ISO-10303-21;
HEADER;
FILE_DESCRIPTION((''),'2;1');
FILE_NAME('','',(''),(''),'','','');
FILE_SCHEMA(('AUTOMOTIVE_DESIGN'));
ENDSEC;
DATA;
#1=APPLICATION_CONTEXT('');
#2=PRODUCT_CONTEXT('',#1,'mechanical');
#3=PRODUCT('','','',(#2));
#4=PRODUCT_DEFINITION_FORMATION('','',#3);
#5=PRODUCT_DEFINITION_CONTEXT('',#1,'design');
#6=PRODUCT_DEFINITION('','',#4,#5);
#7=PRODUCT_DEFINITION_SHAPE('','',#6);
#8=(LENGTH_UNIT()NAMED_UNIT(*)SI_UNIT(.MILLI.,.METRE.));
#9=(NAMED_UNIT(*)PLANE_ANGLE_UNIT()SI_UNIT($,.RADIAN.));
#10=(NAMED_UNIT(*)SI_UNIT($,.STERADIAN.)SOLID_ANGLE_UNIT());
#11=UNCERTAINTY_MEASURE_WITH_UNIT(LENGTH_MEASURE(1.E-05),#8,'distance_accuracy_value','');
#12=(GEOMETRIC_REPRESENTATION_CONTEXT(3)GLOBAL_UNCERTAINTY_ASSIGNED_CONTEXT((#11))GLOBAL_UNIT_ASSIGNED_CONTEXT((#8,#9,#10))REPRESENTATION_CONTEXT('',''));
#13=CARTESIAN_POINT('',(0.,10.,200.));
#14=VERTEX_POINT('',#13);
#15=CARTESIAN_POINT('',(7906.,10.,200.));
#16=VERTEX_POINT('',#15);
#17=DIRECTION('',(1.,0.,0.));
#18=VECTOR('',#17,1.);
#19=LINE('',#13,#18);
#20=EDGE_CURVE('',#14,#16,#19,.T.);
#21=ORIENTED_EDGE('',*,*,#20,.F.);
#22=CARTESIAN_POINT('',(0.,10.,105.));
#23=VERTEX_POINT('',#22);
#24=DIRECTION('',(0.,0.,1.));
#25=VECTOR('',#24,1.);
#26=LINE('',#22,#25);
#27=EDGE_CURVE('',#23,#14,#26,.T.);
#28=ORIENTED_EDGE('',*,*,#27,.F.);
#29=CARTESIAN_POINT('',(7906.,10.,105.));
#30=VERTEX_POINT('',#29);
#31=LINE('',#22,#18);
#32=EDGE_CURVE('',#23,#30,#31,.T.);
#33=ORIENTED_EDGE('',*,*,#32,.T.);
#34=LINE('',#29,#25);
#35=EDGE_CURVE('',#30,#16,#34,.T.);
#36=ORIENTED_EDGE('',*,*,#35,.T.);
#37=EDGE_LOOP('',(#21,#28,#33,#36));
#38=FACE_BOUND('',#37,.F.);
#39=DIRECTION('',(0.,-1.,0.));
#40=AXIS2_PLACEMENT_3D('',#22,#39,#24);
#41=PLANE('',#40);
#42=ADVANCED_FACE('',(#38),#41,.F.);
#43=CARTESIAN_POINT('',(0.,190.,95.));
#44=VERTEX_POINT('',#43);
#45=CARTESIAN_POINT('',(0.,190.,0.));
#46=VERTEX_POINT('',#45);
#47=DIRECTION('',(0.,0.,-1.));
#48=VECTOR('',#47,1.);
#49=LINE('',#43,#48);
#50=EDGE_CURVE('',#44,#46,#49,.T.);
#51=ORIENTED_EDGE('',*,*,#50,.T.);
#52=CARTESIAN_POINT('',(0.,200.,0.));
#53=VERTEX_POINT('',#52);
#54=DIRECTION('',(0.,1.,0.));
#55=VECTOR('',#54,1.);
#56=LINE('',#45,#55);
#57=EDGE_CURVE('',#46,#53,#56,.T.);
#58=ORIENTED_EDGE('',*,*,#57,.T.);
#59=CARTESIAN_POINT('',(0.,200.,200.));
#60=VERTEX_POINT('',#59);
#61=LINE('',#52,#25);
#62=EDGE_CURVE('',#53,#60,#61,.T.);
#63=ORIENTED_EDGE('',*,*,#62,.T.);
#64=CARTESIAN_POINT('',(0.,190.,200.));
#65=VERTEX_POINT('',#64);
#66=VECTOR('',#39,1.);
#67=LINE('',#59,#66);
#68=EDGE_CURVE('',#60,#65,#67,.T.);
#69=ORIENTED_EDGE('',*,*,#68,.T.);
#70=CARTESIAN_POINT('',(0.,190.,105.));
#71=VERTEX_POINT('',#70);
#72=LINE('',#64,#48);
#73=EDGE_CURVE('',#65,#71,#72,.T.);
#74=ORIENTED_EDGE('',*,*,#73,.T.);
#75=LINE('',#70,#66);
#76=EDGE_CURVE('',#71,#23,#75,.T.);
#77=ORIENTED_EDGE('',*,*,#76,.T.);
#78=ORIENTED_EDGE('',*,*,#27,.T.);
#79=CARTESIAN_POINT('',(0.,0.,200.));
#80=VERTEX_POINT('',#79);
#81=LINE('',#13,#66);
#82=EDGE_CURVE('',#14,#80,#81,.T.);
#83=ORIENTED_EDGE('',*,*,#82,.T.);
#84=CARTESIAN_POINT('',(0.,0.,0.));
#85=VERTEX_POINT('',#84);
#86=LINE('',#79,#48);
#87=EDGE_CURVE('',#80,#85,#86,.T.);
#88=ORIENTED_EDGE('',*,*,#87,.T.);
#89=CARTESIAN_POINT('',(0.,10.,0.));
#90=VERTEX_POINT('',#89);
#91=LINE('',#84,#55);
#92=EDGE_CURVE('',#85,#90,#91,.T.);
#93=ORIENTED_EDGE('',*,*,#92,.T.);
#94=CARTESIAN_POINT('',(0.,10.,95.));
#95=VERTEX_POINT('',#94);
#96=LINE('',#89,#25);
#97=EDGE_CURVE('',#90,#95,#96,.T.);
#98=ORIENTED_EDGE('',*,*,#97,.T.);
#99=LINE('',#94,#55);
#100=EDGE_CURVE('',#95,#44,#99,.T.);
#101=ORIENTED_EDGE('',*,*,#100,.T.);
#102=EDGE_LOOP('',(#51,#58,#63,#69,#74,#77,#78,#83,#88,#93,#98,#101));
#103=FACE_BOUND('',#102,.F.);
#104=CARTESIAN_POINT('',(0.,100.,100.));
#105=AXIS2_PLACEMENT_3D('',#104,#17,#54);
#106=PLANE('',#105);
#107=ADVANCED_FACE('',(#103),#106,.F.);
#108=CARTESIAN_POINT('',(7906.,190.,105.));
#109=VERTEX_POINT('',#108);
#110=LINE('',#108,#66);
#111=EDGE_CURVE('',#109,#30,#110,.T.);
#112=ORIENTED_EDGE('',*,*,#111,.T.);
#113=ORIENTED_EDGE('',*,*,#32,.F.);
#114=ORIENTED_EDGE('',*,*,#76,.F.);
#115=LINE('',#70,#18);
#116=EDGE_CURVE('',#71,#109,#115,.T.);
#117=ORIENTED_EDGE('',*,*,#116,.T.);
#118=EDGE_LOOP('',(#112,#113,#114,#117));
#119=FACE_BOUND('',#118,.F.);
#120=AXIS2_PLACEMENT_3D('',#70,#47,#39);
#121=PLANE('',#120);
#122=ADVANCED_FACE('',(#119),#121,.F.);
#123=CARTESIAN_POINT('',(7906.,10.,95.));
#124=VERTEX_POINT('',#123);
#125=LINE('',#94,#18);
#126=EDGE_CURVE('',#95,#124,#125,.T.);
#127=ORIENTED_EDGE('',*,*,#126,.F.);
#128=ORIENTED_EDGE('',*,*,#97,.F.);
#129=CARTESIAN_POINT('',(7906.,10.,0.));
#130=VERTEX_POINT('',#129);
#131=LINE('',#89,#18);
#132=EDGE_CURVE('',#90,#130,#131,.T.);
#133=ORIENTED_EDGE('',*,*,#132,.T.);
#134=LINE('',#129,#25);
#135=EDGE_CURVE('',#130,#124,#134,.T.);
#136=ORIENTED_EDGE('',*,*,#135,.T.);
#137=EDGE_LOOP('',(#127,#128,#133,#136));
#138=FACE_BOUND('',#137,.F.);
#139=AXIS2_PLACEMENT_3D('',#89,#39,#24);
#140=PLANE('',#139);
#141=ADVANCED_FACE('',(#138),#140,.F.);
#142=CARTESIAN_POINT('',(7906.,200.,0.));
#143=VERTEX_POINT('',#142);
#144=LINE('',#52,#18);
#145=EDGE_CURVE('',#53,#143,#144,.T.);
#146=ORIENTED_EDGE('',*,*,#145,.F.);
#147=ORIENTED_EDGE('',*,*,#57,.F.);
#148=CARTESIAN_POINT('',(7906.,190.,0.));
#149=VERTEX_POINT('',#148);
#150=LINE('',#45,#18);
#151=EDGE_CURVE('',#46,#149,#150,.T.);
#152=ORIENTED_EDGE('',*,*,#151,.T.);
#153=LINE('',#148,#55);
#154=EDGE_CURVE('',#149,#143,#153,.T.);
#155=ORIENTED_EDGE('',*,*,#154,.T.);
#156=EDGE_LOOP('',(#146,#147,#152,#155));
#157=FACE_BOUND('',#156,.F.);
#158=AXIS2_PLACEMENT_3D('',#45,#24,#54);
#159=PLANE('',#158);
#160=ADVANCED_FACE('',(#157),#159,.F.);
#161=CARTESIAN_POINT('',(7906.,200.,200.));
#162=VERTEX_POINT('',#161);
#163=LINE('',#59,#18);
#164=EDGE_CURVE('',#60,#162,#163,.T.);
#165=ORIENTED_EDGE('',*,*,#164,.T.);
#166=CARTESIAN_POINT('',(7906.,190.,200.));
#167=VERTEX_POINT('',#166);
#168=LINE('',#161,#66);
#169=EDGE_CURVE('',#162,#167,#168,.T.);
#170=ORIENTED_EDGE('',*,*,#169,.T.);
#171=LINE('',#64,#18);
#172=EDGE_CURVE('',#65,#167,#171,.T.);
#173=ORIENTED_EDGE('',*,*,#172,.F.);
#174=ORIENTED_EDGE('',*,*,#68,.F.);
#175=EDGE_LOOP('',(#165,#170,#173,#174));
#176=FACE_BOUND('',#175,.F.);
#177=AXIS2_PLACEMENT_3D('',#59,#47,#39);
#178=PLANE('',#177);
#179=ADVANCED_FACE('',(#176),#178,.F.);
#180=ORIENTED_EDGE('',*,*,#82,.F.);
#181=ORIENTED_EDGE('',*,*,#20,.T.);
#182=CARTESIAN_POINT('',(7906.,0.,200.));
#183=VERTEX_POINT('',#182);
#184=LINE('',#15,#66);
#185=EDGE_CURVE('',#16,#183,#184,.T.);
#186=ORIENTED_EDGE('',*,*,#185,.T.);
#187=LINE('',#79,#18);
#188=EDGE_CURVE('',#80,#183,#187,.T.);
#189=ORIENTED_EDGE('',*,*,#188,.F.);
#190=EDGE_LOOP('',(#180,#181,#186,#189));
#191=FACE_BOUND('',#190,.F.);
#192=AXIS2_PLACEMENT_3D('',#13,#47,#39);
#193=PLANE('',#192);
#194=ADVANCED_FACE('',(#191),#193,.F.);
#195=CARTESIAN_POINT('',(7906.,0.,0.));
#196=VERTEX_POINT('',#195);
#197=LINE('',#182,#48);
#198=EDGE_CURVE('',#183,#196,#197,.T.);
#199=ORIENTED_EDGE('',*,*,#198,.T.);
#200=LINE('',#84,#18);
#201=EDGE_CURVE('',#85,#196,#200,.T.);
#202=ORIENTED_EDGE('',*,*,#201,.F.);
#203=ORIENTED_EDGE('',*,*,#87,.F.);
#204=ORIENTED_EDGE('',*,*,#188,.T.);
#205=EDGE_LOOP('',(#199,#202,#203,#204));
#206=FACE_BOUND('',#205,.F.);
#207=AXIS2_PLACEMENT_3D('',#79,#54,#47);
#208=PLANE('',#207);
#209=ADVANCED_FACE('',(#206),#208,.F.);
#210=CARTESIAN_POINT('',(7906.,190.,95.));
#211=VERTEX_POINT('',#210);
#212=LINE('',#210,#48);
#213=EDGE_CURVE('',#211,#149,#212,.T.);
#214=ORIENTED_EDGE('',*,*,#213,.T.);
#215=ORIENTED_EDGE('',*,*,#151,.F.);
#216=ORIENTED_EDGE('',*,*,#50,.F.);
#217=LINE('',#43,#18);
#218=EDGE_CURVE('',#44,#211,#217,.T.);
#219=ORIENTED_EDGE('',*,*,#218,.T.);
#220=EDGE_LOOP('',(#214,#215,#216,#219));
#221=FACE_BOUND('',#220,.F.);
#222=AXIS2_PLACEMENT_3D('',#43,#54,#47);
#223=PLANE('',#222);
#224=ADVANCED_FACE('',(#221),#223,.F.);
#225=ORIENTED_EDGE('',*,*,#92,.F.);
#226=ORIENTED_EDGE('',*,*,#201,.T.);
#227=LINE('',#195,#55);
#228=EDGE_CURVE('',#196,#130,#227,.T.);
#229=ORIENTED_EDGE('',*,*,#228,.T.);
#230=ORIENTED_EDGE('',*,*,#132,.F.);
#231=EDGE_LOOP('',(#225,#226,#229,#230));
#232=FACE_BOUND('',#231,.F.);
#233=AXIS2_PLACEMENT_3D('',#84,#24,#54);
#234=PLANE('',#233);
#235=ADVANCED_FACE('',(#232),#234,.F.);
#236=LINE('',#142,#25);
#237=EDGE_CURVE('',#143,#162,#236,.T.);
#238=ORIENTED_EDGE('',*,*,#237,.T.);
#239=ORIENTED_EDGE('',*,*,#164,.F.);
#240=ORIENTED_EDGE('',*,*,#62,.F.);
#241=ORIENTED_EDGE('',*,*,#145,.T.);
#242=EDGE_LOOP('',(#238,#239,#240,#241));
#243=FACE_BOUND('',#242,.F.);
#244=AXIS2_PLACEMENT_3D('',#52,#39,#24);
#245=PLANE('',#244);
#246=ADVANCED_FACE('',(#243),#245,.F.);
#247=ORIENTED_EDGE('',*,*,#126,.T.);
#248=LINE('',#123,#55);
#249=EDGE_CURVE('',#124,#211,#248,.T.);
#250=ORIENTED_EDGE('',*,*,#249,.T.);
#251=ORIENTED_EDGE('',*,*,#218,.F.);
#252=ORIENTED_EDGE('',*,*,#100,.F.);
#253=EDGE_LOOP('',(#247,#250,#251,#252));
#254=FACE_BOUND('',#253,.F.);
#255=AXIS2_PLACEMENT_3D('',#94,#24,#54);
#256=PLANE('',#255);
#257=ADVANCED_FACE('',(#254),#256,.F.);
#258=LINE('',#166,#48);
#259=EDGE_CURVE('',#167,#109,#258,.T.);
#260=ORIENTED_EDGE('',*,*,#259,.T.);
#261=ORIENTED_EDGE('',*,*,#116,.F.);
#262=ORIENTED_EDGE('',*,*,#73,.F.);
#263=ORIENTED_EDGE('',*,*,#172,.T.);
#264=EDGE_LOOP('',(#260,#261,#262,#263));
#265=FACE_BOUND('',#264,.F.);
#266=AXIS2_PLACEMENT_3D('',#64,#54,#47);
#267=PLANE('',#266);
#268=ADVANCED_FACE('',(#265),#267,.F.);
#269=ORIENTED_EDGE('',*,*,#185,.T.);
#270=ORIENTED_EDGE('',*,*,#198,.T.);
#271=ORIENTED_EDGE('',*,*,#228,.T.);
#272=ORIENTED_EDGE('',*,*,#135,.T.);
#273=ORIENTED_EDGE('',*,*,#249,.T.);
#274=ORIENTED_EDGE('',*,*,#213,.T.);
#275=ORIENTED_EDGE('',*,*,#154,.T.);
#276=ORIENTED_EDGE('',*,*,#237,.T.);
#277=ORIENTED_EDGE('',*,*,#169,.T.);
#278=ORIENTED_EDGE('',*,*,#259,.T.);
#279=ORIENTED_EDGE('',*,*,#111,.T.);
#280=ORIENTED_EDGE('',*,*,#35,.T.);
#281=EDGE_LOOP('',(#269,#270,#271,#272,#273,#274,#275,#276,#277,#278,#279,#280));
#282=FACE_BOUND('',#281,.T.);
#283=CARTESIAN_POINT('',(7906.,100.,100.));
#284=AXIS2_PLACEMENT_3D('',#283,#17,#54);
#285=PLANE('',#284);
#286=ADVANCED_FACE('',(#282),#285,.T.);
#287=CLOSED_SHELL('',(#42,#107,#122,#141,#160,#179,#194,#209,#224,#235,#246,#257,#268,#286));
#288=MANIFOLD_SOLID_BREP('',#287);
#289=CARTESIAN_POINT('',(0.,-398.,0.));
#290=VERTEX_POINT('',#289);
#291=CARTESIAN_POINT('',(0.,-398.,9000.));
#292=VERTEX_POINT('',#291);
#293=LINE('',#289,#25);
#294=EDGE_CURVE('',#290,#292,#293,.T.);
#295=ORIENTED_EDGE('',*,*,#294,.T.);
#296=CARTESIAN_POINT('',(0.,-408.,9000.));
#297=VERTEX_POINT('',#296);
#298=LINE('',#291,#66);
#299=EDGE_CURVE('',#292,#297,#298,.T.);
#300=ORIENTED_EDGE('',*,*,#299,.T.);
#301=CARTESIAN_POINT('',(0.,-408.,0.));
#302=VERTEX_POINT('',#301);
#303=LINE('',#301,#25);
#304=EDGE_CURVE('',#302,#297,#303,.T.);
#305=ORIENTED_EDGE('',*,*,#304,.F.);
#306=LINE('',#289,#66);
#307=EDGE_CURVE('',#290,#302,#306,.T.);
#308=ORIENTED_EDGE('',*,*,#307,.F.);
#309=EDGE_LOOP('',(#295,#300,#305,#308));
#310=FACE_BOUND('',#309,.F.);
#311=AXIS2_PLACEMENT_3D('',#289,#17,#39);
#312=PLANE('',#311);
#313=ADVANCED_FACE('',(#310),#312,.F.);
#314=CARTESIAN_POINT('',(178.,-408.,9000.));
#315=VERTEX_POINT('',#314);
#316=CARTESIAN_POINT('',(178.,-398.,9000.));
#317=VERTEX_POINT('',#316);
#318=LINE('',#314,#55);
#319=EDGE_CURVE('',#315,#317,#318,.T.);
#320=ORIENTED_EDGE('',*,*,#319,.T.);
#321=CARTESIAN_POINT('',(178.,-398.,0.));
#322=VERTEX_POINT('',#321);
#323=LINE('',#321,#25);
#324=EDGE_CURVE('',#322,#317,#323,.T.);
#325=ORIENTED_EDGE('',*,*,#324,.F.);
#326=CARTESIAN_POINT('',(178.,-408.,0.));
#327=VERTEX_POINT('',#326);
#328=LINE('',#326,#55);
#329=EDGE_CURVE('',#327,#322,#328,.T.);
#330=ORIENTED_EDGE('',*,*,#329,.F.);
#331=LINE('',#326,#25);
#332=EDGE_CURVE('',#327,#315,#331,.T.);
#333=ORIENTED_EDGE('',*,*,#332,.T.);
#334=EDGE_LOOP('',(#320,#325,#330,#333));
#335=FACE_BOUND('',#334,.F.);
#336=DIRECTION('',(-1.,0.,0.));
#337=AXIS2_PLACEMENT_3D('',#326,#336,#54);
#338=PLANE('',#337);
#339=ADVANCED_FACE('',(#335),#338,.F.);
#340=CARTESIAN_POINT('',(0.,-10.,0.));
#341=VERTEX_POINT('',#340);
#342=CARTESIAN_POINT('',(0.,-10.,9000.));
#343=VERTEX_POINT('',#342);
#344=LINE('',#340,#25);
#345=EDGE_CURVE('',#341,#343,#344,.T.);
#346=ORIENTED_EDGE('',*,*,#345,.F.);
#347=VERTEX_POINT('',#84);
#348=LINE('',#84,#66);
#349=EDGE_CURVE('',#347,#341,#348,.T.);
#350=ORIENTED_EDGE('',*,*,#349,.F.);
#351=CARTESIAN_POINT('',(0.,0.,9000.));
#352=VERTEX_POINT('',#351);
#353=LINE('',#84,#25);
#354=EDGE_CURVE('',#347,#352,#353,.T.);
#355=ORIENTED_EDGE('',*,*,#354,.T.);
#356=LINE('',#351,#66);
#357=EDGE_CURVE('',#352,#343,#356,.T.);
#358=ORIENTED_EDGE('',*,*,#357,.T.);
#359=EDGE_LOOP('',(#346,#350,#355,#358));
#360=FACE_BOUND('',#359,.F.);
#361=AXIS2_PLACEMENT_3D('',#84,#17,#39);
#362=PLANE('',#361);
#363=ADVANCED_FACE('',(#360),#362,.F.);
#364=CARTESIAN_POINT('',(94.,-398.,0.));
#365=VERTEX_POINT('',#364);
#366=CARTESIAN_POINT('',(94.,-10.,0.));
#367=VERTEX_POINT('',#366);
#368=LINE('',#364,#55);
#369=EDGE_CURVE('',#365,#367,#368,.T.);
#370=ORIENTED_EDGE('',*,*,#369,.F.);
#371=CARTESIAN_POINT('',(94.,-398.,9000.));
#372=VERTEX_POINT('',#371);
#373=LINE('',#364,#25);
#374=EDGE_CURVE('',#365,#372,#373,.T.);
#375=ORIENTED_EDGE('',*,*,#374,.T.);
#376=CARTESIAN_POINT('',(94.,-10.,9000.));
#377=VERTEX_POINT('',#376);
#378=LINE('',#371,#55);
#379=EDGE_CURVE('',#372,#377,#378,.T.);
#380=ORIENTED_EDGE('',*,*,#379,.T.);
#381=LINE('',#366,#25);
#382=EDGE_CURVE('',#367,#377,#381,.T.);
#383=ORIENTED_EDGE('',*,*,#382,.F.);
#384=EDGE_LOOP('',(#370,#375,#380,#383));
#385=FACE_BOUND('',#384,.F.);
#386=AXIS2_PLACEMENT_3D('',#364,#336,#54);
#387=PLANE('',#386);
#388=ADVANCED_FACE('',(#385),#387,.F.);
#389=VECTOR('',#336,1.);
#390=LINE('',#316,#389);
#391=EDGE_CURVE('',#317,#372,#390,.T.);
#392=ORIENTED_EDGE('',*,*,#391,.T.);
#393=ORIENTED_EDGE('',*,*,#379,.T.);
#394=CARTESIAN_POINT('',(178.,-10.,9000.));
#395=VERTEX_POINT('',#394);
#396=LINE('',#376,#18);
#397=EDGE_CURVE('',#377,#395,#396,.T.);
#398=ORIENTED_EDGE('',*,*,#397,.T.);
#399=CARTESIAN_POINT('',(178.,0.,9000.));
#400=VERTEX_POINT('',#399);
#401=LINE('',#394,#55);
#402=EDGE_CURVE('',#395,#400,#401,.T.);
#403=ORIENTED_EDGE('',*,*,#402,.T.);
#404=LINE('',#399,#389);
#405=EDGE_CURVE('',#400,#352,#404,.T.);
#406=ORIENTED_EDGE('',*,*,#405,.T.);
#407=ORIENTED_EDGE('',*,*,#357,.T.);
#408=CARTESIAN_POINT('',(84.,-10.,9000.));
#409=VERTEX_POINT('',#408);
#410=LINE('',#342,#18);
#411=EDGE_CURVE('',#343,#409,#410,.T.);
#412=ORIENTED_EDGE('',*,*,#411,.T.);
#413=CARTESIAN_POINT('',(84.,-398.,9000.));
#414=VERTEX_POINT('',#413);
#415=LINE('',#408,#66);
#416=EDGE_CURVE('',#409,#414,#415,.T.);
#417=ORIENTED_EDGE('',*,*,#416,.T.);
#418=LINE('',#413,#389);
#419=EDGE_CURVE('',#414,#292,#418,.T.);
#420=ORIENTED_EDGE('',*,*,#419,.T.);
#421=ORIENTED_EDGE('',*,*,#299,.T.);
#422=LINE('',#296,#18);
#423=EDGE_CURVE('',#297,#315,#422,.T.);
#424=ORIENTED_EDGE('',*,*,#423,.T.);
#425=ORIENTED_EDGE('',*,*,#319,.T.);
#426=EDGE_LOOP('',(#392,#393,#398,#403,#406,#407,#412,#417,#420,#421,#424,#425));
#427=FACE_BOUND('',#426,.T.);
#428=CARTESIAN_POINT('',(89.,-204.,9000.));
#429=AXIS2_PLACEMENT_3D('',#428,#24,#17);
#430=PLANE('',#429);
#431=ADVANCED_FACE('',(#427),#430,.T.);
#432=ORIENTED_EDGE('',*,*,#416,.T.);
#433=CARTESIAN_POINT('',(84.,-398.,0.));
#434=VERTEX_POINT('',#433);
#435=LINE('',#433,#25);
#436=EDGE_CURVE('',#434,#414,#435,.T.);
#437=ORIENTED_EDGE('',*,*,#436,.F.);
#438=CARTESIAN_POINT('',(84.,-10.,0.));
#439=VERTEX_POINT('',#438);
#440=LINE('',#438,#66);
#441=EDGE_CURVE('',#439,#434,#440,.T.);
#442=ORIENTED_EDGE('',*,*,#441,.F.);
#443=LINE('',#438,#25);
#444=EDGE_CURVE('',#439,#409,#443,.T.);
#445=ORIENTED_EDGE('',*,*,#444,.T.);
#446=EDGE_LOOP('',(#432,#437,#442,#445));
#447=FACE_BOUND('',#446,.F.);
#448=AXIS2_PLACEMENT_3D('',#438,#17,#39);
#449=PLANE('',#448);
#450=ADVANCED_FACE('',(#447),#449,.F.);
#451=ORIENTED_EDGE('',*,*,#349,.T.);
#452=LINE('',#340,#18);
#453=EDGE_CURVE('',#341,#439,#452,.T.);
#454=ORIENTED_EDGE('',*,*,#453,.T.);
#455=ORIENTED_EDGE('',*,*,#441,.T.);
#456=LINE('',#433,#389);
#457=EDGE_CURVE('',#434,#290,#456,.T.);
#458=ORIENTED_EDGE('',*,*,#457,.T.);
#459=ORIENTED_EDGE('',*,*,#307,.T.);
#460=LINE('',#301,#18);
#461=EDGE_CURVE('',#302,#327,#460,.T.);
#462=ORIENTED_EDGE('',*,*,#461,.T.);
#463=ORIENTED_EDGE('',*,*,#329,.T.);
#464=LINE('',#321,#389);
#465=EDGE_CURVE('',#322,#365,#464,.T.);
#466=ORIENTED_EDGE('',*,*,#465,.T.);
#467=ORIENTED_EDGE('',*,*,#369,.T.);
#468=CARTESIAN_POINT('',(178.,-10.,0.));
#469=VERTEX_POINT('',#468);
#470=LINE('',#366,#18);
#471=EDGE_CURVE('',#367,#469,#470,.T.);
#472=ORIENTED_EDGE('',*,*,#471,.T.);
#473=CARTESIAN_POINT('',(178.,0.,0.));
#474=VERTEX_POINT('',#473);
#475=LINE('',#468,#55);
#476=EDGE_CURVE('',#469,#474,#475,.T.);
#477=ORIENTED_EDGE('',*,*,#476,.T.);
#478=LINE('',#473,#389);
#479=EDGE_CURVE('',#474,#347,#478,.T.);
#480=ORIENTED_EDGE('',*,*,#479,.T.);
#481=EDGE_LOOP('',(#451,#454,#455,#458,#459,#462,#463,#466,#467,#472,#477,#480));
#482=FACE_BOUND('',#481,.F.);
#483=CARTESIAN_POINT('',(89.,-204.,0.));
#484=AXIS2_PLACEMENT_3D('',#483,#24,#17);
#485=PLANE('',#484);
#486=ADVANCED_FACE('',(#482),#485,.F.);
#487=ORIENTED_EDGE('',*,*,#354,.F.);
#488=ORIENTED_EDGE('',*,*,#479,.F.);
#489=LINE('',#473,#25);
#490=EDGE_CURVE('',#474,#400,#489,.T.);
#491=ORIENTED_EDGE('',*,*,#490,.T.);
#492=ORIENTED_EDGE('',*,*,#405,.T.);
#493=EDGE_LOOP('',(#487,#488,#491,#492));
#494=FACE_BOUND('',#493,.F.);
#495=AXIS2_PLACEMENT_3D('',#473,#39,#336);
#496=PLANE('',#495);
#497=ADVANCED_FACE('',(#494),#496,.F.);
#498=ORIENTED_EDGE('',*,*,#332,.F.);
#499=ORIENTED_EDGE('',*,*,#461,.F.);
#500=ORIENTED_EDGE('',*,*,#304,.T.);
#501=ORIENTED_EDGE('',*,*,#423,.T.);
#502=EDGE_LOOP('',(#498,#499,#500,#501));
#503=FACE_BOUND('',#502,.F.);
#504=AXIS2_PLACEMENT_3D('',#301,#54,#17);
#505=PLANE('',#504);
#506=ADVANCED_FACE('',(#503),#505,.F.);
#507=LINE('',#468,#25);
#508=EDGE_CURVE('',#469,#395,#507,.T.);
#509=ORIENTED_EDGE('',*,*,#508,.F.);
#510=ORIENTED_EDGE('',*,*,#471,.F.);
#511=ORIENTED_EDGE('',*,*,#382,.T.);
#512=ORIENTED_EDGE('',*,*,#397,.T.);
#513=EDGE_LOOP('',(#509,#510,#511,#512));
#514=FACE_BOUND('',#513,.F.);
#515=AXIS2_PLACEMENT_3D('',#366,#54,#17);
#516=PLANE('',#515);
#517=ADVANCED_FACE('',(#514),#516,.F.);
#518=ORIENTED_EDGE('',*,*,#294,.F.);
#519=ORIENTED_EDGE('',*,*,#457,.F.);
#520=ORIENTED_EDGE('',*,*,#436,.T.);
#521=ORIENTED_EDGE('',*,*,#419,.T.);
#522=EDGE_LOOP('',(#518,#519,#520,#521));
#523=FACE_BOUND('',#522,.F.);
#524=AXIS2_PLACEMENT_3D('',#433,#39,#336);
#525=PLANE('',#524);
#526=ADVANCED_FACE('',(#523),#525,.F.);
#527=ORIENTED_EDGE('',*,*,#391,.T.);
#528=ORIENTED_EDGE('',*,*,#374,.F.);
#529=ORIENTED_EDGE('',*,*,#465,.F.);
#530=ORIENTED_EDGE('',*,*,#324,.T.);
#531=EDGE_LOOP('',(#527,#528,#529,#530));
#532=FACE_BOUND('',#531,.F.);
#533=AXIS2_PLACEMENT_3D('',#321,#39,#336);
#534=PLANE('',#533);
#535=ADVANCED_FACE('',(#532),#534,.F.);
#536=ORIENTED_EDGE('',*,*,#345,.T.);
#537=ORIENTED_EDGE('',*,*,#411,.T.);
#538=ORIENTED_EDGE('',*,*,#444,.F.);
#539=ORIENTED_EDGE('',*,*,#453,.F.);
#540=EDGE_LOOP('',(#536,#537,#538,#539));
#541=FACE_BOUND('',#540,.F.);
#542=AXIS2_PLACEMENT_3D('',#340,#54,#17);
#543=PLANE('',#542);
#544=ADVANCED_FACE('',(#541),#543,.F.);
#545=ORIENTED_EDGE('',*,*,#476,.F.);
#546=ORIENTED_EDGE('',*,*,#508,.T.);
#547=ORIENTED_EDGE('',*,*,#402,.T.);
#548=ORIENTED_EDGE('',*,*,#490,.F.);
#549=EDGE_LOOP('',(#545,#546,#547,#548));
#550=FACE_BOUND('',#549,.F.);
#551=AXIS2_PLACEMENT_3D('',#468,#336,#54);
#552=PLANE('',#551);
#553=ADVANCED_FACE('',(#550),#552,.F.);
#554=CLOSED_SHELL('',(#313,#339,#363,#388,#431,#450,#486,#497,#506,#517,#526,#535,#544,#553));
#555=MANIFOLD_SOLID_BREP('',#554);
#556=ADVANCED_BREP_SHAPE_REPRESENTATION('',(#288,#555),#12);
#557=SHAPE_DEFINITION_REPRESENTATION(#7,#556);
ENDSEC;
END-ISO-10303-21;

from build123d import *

# Parameters (mm, degrees)
F2_DEPTH = 9000
F3_DEPTH = 7906


with BuildPart() as f2:
    # F0 (on Top) → F2 (new body)
    with BuildSketch(Plane.XY):
        Polygon((178, 0), (0, 0), (0, -10), (84, -10), (84, -398), (0, -398), (0, -408), (178, -408), (178, -398), (94, -398), (94, -10), (178, -10), align=None)
    extrude(amount=F2_DEPTH)


with BuildPart() as f3:
    # F1 (on Right) → F3 (new body)
    with BuildSketch(Plane.YZ):
        Polygon((0, 200), (0, 0), (10, 0), (10, 95), (190, 95), (190, 0), (200, 0), (200, 200), (190, 200), (190, 105), (10, 105), (10, 200), align=None)
    extrude(amount=F3_DEPTH)


solid = Compound([f2.part, f3.part])
